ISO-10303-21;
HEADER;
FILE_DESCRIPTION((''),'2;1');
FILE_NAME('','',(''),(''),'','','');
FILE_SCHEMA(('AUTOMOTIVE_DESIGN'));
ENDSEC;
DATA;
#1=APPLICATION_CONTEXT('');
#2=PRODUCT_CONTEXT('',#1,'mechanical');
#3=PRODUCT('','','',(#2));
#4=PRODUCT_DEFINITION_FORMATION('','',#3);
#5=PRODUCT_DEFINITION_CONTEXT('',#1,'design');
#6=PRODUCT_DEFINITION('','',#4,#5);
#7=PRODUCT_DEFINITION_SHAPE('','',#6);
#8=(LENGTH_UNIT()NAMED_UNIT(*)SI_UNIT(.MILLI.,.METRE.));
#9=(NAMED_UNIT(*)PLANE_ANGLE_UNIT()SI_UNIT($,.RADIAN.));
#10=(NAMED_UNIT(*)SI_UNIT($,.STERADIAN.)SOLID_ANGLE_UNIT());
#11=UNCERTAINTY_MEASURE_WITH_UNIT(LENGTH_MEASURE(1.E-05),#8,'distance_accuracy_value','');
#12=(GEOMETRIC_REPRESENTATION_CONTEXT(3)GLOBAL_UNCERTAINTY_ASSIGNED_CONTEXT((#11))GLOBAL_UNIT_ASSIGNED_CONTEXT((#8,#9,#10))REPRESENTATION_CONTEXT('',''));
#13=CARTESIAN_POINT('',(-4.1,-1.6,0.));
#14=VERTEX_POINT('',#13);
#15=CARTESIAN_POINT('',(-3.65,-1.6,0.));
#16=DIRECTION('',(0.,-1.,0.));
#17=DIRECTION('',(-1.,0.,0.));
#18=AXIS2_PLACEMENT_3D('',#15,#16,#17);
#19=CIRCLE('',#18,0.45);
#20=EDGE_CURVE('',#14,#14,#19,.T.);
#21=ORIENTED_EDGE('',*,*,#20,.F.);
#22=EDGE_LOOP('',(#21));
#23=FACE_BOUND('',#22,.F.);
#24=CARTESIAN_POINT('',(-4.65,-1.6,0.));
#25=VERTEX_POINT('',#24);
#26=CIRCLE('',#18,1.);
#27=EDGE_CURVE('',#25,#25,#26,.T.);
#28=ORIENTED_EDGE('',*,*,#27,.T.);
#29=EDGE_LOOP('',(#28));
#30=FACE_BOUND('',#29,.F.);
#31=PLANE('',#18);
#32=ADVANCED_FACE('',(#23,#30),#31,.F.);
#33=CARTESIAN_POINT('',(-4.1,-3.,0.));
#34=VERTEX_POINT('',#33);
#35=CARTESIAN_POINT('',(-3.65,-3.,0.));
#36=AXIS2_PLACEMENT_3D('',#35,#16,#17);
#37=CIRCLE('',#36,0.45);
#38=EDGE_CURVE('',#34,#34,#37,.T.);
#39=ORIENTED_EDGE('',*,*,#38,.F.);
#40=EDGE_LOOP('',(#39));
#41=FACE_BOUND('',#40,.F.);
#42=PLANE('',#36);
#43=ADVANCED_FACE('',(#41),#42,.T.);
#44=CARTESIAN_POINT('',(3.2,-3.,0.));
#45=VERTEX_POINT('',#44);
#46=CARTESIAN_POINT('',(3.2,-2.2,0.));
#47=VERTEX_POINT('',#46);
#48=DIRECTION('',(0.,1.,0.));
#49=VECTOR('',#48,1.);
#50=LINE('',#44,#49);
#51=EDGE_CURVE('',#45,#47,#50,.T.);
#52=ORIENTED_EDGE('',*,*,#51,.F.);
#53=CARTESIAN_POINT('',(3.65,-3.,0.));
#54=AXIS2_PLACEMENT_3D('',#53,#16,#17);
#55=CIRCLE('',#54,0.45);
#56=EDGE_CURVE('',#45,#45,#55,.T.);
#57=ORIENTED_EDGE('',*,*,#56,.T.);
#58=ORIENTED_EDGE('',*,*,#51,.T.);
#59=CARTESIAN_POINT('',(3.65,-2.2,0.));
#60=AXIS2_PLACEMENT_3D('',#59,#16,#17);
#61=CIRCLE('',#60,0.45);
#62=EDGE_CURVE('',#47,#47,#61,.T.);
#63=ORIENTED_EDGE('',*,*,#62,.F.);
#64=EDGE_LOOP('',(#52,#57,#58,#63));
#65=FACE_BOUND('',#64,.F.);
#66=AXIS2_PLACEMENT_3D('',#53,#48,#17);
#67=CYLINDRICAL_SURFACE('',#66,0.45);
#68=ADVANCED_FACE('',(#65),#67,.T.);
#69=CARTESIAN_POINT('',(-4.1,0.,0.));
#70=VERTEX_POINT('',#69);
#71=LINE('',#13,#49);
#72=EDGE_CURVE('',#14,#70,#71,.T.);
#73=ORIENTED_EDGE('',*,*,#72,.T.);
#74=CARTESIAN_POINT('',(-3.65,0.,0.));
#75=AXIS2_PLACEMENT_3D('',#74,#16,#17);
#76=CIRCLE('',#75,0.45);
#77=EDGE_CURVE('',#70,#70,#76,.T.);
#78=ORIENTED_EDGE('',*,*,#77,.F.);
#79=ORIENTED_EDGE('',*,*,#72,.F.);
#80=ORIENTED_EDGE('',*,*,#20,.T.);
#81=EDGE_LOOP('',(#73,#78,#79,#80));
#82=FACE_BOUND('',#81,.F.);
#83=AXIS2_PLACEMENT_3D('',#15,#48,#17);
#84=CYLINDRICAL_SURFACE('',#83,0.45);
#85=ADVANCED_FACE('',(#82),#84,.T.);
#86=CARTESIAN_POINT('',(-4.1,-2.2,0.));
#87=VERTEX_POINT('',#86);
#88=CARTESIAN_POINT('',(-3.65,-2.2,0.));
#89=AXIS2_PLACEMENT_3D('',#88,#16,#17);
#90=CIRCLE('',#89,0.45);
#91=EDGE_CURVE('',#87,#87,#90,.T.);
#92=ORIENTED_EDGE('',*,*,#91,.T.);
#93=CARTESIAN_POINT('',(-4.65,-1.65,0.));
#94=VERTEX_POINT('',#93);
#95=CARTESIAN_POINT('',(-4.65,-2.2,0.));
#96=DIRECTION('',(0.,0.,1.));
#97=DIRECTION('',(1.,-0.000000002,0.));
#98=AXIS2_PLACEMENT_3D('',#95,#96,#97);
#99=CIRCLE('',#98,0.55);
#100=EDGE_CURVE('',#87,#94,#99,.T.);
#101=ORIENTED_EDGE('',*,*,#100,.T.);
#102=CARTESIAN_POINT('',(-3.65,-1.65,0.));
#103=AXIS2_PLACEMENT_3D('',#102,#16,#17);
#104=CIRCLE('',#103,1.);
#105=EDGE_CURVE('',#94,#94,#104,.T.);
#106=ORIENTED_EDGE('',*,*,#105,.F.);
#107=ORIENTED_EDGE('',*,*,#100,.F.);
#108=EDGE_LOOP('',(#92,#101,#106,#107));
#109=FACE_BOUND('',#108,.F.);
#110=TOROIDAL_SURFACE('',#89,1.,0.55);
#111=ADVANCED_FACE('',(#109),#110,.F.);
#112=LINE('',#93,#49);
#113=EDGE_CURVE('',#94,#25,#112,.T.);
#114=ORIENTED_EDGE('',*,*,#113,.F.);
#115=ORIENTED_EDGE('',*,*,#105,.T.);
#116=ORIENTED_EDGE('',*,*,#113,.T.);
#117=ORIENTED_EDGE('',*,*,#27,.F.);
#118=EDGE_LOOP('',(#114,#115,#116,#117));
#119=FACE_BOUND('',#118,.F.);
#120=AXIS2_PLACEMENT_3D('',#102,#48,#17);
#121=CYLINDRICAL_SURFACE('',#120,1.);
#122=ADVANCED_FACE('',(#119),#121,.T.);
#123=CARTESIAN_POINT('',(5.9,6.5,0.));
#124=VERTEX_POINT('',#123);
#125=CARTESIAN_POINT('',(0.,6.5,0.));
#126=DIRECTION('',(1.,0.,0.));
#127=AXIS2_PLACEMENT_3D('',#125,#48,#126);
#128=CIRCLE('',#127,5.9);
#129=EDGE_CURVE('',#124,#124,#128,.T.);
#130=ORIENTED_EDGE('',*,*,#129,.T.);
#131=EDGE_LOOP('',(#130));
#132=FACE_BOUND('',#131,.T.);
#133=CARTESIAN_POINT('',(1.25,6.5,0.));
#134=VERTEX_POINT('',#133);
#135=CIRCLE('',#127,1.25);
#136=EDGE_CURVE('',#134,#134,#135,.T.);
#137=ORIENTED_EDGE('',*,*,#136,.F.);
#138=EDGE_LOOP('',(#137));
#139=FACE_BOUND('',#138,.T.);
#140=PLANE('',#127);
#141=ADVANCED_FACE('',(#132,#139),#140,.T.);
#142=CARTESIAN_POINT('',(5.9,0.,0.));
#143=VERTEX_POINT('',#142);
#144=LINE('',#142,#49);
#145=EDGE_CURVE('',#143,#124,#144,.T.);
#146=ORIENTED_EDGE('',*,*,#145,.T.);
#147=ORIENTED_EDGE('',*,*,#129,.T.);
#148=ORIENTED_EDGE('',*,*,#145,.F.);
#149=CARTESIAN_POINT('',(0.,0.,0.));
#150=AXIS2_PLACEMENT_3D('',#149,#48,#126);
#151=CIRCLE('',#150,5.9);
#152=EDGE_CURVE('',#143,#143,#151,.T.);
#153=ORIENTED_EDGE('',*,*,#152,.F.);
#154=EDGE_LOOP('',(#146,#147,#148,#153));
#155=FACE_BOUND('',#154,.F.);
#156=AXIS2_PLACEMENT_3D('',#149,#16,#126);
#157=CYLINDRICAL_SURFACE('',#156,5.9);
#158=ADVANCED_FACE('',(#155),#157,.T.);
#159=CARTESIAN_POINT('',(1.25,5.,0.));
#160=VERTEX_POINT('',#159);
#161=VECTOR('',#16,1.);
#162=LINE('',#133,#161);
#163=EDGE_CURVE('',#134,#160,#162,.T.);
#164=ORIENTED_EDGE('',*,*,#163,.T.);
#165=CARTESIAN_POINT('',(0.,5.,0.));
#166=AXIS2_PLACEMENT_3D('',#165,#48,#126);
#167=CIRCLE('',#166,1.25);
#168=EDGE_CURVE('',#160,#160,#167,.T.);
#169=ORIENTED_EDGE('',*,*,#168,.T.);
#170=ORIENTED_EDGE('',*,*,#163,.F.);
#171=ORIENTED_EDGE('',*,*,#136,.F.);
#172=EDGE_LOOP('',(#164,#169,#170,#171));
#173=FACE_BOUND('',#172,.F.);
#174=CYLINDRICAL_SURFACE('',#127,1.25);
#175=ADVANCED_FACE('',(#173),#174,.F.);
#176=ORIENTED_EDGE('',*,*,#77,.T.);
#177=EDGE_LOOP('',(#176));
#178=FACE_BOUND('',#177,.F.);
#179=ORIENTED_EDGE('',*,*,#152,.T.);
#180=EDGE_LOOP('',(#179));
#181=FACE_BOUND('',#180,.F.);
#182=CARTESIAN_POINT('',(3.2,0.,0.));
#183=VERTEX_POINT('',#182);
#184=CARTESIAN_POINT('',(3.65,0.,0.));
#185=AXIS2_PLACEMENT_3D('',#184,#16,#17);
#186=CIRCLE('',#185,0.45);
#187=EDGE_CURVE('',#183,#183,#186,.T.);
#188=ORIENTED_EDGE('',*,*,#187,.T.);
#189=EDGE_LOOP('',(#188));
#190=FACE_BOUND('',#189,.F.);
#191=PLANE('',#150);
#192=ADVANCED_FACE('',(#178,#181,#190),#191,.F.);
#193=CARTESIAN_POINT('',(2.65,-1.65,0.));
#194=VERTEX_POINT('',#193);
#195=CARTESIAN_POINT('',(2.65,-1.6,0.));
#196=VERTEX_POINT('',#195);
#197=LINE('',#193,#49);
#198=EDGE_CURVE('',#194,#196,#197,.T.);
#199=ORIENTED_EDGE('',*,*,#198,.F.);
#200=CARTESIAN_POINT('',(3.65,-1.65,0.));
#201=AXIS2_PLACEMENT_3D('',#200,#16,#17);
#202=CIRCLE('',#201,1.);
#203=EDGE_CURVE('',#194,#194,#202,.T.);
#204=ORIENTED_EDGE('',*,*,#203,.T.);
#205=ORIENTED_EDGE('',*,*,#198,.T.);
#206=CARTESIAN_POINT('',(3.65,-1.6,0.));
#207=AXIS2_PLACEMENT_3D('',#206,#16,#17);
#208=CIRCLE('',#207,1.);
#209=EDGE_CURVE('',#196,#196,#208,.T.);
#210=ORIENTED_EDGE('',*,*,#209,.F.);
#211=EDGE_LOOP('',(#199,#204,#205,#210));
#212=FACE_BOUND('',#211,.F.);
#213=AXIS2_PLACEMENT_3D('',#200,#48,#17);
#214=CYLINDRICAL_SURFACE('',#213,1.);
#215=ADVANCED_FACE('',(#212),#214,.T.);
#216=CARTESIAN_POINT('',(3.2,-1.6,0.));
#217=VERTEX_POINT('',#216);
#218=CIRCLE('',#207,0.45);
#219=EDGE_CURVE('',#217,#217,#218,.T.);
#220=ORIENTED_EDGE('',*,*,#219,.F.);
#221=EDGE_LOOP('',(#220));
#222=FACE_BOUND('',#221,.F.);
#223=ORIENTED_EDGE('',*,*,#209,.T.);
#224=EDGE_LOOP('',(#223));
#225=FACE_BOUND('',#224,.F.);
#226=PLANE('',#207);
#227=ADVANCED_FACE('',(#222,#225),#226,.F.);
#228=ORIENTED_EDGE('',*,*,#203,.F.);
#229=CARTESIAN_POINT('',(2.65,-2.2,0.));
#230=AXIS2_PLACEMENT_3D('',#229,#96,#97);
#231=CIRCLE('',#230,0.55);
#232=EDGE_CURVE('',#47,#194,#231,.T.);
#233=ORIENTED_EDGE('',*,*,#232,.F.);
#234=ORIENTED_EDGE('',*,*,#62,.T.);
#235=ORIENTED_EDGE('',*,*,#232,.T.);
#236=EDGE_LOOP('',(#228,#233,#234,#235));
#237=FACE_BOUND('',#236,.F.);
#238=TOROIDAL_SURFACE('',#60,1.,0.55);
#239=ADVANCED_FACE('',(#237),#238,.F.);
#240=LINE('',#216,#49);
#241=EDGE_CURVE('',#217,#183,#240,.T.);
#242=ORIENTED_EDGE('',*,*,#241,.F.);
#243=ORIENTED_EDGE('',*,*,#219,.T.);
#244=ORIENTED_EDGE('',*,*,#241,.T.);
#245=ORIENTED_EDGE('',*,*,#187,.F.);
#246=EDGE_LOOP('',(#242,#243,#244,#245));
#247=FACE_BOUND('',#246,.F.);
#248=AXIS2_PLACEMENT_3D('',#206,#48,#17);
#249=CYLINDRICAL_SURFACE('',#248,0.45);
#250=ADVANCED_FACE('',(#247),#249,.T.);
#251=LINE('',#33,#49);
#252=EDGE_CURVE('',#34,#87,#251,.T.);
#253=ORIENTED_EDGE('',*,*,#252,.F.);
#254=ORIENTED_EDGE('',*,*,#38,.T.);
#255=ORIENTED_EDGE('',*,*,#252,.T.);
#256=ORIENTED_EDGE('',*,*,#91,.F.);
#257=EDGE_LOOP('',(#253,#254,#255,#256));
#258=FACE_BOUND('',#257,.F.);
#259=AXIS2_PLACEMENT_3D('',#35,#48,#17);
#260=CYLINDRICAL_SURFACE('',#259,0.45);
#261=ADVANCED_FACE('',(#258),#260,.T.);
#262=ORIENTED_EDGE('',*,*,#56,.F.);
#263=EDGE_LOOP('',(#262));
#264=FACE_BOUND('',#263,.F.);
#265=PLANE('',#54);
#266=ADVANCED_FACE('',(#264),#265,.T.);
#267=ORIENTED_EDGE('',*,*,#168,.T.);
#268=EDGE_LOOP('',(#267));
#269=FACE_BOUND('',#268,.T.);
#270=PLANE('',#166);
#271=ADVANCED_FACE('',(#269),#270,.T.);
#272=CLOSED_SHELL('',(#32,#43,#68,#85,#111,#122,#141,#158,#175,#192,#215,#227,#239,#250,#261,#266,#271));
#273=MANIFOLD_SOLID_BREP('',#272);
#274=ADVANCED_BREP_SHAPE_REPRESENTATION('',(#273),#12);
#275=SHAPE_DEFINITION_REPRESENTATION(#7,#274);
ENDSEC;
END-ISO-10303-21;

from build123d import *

# Parameters (mm, degrees)
ESQUISSE1_R                = 5.9
BOSS_EXTRU_1_DEPTH         = 6.5
ESQUISSE2_R                = 1.25
ENL_V_MAT_EXTRU_1_DEPTH    = 1.5
R_P_TITION_LIN_AIRE1_COUNT = 2
R_P_TITION_LIN_AIRE1_PITCH = 7.3


with BuildPart() as part:
    # Esquisse1 → Boss.-Extru.1 (new body)
    with BuildSketch(Plane(origin=(0, 0, 0), x_dir=(1, 0, 0), z_dir=(0, 1, 0))):
        Circle(ESQUISSE1_R)
    extrude(amount=BOSS_EXTRU_1_DEPTH)

    # Esquisse2 → Enlèv. mat.-Extru.1 (cut)
    with BuildSketch(Plane(origin=(0, 6.5, 0), x_dir=(1, 0, 0), z_dir=(0, 1, 0))):
        Circle(ESQUISSE2_R)
    extrude(amount=-ENL_V_MAT_EXTRU_1_DEPTH, mode=Mode.SUBTRACT)

    # Esquisse4 → Révolution1 (revolve)
    with BuildSketch(Plane.XY):
        with BuildLine():
            Line((-3.65, -3), (-4.1, -3))
            Line((-4.1, -3), (-4.1, -2.2))
            ThreePointArc((-4.1, -2.2), (-4.26109127, -1.81109127), (-4.65, -1.65))
            Line((-4.65, -1.65), (-4.65, -1.6))
            Line((-4.65, -1.6), (-4.1, -1.6))
            Line((-4.1, -1.6), (-4.1, 0))
            Line((-4.1, 0), (-3.65, 0))
            Line((-3.65, 0), (-3.65, -3))
        make_face()
    r_volution1 = revolve(axis=Axis((-3.65, 0, 0), (0, -1, 0)))

    # Répétition linéaire1: Révolution1 ×2
    with Locations(*[(i * R_P_TITION_LIN_AIRE1_PITCH, 0, 0) for i in range(1, R_P_TITION_LIN_AIRE1_COUNT)]):
        add(r_volution1)


solid = part.part
